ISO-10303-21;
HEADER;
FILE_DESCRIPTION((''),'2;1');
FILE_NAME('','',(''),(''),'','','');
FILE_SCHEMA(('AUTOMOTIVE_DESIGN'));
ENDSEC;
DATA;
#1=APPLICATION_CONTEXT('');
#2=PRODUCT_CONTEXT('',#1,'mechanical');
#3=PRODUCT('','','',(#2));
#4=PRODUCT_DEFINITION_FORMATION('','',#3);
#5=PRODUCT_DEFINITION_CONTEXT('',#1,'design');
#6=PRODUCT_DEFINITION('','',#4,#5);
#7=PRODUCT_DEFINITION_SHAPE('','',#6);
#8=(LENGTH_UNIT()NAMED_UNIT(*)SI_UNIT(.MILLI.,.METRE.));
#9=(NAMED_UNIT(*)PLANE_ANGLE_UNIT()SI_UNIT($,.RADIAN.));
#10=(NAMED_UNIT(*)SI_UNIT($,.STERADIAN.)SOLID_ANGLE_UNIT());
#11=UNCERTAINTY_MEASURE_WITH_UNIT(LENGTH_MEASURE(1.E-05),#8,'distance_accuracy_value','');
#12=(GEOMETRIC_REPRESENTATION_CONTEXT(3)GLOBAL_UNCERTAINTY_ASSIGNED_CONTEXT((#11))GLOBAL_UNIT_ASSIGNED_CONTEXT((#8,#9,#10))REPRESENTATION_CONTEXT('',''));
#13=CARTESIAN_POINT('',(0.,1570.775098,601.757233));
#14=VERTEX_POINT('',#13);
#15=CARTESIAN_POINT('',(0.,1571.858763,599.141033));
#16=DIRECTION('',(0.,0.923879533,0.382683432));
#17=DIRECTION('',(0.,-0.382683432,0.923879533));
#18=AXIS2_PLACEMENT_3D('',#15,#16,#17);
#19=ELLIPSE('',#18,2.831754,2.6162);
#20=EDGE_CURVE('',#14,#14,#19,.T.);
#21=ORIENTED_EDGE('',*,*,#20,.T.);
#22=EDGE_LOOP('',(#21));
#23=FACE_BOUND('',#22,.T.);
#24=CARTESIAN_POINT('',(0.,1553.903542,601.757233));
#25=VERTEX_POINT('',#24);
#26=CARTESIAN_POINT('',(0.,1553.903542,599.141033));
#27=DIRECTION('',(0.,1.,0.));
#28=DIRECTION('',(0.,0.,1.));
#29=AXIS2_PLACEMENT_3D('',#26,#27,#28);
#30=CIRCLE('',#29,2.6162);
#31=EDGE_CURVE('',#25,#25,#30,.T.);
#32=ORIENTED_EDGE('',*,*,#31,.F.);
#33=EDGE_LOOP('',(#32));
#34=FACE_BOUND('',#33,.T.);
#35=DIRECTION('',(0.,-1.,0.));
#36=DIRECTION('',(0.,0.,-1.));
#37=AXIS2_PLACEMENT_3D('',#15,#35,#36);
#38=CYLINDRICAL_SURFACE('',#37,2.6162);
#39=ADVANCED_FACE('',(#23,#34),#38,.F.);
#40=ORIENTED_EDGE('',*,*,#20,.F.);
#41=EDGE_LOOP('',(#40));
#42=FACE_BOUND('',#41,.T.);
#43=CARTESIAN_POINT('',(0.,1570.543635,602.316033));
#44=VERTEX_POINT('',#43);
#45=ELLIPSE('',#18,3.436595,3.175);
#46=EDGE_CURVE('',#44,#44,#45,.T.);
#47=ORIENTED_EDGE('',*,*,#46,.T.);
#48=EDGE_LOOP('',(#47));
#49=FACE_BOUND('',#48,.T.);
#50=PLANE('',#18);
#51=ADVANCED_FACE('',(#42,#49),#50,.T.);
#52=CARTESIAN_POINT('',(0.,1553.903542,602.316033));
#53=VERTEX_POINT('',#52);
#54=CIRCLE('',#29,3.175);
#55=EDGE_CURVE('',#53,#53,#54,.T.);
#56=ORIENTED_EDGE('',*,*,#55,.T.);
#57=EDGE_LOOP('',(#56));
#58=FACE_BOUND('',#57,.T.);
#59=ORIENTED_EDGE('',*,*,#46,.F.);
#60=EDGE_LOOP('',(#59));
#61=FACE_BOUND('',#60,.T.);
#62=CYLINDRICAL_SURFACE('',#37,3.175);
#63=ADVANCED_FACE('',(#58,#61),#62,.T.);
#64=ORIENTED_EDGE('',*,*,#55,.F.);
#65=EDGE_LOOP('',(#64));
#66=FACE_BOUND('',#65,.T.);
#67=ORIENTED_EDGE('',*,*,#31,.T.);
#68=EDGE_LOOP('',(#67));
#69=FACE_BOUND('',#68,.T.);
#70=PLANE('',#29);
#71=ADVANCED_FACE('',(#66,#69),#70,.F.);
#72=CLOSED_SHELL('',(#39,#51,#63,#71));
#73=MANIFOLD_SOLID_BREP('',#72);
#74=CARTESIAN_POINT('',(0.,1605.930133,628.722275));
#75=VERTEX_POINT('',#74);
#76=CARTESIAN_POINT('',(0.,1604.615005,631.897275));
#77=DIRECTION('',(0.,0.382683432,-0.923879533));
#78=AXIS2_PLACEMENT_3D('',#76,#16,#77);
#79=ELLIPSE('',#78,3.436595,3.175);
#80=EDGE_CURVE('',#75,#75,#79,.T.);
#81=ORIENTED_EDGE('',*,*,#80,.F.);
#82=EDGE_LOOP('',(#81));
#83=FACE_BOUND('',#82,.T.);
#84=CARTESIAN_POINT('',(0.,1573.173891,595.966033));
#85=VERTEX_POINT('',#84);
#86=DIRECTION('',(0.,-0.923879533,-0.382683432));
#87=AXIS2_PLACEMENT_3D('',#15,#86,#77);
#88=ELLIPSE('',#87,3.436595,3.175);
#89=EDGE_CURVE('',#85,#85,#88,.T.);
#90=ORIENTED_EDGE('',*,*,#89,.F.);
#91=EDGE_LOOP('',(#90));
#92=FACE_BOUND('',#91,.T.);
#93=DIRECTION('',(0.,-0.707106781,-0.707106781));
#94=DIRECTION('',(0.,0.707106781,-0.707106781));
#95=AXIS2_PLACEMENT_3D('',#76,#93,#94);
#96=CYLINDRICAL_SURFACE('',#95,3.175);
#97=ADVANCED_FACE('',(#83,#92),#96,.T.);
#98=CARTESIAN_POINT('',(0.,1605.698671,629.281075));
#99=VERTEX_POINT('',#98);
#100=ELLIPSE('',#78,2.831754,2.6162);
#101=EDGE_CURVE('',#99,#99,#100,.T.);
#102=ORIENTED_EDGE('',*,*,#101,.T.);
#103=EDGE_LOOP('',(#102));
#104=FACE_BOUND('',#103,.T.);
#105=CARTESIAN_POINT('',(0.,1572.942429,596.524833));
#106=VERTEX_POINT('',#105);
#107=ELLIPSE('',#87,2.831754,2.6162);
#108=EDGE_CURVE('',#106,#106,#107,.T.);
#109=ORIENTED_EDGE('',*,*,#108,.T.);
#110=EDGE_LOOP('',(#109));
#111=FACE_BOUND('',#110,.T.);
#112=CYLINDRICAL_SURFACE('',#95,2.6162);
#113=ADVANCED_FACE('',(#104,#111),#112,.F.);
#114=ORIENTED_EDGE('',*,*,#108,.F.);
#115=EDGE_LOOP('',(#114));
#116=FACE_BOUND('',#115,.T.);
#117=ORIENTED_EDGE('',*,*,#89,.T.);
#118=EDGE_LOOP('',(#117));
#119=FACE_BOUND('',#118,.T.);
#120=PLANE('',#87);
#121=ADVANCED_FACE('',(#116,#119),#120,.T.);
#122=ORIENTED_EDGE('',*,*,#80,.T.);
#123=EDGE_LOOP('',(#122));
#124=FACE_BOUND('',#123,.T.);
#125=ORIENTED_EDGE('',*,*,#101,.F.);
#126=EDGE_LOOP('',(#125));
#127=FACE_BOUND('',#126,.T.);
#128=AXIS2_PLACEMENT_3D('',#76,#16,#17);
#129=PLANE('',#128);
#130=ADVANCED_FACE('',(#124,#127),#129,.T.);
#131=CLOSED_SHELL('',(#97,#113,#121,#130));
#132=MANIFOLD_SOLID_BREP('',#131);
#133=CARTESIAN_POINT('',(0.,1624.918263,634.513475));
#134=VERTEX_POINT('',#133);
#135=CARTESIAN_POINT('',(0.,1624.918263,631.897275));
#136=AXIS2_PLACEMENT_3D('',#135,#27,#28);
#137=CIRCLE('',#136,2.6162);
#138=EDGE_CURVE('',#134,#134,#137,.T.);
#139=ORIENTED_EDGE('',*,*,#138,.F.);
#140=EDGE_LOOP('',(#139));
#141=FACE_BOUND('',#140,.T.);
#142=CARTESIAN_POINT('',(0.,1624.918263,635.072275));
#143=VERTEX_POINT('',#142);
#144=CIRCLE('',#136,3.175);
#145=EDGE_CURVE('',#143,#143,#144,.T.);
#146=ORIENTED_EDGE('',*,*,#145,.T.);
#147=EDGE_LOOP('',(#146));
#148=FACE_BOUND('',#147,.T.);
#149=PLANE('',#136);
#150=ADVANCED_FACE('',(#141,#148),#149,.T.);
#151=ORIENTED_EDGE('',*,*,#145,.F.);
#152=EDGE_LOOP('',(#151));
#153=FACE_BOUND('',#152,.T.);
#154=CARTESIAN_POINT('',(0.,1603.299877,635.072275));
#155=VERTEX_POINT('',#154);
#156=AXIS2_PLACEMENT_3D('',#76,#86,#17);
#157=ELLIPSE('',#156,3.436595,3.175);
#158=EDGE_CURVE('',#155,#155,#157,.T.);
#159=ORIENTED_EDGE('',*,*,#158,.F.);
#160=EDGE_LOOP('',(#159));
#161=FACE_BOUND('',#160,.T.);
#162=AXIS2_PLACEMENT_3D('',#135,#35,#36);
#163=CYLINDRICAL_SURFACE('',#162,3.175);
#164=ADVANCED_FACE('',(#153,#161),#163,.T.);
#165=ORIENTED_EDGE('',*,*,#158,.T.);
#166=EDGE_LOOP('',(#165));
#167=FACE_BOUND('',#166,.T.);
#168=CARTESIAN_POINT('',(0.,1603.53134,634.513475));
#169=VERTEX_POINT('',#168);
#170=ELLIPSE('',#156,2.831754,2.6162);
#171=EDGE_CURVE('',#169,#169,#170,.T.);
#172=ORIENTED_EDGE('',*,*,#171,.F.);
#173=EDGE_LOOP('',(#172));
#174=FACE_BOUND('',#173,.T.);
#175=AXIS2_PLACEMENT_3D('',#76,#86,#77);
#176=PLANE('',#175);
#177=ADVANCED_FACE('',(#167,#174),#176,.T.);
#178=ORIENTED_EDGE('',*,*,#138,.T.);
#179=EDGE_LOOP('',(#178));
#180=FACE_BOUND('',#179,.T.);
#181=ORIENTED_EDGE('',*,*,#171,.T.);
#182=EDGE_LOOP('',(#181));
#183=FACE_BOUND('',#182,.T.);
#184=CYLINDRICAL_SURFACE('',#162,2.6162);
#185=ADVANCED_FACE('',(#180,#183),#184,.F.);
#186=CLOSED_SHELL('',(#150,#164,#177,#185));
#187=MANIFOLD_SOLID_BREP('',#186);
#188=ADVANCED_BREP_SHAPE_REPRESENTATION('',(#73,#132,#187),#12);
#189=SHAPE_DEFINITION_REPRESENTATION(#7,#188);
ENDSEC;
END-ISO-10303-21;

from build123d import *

# Parameters (mm, degrees)
SKETCH11_ON_SEGMENT_1_R        = 3.175
SKETCH11_ON_SEGMENT_1_R_2      = 2.6162
PIPE_0_5_SCH_40_1_DEPTH        = 20.815092915
SKETCH11_R                     = 3.175
SKETCH11_R_2                   = 2.6162
PIPE_0_5_SCH_40_1_2_DEPTH      = 49.184193112
PIPE_0_5_SCH_40_1_2_DEPTH_BACK = 2.859871939
SKETCH11_ON_SEGMENT_3_R        = 3.175
SKETCH11_ON_SEGMENT_3_R_2      = 2.6162
PIPE_0_5_SCH_40_1_3_DEPTH      = 23.163130032


with BuildPart() as part:
    # Sketch11 on segment 1 (carried to segment 1) → Pipe 0.5 SCH 40(1) (new body)
    with BuildSketch(Plane(origin=(0, 1553.903542435, 599.141033205), x_dir=(0, 0, 1), z_dir=(0, 1, 0))):
        Circle(SKETCH11_ON_SEGMENT_1_R)
        Circle(SKETCH11_ON_SEGMENT_1_R_2, mode=Mode.SUBTRACT)
    extrude(amount=PIPE_0_5_SCH_40_1_DEPTH)

    # Pipe 0.5 SCH 40(1) mitre 1
    split(bisect_by=Plane(origin=(0, 1571.858763411, 599.141033205), x_dir=(1, 0, 0), z_dir=(0, -0.923879533, -0.382683432)), keep=Keep.TOP)


with BuildPart() as body_2:
    # Sketch11 → Pipe 0.5 SCH 40_1 2 (new, two sides)
    with BuildSketch(Plane(origin=(0, 1571.858763411, 599.141033205), x_dir=(0, -0.7071067811865476, 0.7071067811865476), z_dir=(0, 0.7071067811865476, 0.7071067811865476))) as pipe_0_5_sch_40_1_2_sk:
        Circle(SKETCH11_R)
        Circle(SKETCH11_R_2, mode=Mode.SUBTRACT)
    extrude(amount=PIPE_0_5_SCH_40_1_2_DEPTH)
    extrude(pipe_0_5_sch_40_1_2_sk.sketch, amount=-PIPE_0_5_SCH_40_1_2_DEPTH_BACK)

    # Pipe 0.5 SCH 40_1 2 mitre 1
    split(bisect_by=Plane(origin=(0, 1571.858763411, 599.141033205), x_dir=(-1, 0, 0), z_dir=(0, 0.923879533, 0.382683432)), keep=Keep.TOP)

    # Pipe 0.5 SCH 40_1 2 mitre 2
    split(bisect_by=Plane(origin=(0, 1604.615005046, 631.89727484), x_dir=(1, 0, 0), z_dir=(0, -0.923879533, -0.382683432)), keep=Keep.TOP)


with BuildPart() as body_3:
    # Sketch11 on segment 3 (carried to segment 3) → Pipe 0.5 SCH 40_1 3 (new body)
    with BuildSketch(Plane(origin=(0, 1601.755133106, 631.89727484), x_dir=(0, 0, 1), z_dir=(0, 1, 0))):
        Circle(SKETCH11_ON_SEGMENT_3_R)
        Circle(SKETCH11_ON_SEGMENT_3_R_2, mode=Mode.SUBTRACT)
    extrude(amount=PIPE_0_5_SCH_40_1_3_DEPTH)

    # Pipe 0.5 SCH 40_1 3 mitre 1
    split(bisect_by=Plane(origin=(0, 1604.615005046, 631.89727484), x_dir=(-1, 0, 0), z_dir=(0, 0.923879533, 0.382683432)), keep=Keep.TOP)


solid = Compound([part.part, body_2.part, body_3.part])
